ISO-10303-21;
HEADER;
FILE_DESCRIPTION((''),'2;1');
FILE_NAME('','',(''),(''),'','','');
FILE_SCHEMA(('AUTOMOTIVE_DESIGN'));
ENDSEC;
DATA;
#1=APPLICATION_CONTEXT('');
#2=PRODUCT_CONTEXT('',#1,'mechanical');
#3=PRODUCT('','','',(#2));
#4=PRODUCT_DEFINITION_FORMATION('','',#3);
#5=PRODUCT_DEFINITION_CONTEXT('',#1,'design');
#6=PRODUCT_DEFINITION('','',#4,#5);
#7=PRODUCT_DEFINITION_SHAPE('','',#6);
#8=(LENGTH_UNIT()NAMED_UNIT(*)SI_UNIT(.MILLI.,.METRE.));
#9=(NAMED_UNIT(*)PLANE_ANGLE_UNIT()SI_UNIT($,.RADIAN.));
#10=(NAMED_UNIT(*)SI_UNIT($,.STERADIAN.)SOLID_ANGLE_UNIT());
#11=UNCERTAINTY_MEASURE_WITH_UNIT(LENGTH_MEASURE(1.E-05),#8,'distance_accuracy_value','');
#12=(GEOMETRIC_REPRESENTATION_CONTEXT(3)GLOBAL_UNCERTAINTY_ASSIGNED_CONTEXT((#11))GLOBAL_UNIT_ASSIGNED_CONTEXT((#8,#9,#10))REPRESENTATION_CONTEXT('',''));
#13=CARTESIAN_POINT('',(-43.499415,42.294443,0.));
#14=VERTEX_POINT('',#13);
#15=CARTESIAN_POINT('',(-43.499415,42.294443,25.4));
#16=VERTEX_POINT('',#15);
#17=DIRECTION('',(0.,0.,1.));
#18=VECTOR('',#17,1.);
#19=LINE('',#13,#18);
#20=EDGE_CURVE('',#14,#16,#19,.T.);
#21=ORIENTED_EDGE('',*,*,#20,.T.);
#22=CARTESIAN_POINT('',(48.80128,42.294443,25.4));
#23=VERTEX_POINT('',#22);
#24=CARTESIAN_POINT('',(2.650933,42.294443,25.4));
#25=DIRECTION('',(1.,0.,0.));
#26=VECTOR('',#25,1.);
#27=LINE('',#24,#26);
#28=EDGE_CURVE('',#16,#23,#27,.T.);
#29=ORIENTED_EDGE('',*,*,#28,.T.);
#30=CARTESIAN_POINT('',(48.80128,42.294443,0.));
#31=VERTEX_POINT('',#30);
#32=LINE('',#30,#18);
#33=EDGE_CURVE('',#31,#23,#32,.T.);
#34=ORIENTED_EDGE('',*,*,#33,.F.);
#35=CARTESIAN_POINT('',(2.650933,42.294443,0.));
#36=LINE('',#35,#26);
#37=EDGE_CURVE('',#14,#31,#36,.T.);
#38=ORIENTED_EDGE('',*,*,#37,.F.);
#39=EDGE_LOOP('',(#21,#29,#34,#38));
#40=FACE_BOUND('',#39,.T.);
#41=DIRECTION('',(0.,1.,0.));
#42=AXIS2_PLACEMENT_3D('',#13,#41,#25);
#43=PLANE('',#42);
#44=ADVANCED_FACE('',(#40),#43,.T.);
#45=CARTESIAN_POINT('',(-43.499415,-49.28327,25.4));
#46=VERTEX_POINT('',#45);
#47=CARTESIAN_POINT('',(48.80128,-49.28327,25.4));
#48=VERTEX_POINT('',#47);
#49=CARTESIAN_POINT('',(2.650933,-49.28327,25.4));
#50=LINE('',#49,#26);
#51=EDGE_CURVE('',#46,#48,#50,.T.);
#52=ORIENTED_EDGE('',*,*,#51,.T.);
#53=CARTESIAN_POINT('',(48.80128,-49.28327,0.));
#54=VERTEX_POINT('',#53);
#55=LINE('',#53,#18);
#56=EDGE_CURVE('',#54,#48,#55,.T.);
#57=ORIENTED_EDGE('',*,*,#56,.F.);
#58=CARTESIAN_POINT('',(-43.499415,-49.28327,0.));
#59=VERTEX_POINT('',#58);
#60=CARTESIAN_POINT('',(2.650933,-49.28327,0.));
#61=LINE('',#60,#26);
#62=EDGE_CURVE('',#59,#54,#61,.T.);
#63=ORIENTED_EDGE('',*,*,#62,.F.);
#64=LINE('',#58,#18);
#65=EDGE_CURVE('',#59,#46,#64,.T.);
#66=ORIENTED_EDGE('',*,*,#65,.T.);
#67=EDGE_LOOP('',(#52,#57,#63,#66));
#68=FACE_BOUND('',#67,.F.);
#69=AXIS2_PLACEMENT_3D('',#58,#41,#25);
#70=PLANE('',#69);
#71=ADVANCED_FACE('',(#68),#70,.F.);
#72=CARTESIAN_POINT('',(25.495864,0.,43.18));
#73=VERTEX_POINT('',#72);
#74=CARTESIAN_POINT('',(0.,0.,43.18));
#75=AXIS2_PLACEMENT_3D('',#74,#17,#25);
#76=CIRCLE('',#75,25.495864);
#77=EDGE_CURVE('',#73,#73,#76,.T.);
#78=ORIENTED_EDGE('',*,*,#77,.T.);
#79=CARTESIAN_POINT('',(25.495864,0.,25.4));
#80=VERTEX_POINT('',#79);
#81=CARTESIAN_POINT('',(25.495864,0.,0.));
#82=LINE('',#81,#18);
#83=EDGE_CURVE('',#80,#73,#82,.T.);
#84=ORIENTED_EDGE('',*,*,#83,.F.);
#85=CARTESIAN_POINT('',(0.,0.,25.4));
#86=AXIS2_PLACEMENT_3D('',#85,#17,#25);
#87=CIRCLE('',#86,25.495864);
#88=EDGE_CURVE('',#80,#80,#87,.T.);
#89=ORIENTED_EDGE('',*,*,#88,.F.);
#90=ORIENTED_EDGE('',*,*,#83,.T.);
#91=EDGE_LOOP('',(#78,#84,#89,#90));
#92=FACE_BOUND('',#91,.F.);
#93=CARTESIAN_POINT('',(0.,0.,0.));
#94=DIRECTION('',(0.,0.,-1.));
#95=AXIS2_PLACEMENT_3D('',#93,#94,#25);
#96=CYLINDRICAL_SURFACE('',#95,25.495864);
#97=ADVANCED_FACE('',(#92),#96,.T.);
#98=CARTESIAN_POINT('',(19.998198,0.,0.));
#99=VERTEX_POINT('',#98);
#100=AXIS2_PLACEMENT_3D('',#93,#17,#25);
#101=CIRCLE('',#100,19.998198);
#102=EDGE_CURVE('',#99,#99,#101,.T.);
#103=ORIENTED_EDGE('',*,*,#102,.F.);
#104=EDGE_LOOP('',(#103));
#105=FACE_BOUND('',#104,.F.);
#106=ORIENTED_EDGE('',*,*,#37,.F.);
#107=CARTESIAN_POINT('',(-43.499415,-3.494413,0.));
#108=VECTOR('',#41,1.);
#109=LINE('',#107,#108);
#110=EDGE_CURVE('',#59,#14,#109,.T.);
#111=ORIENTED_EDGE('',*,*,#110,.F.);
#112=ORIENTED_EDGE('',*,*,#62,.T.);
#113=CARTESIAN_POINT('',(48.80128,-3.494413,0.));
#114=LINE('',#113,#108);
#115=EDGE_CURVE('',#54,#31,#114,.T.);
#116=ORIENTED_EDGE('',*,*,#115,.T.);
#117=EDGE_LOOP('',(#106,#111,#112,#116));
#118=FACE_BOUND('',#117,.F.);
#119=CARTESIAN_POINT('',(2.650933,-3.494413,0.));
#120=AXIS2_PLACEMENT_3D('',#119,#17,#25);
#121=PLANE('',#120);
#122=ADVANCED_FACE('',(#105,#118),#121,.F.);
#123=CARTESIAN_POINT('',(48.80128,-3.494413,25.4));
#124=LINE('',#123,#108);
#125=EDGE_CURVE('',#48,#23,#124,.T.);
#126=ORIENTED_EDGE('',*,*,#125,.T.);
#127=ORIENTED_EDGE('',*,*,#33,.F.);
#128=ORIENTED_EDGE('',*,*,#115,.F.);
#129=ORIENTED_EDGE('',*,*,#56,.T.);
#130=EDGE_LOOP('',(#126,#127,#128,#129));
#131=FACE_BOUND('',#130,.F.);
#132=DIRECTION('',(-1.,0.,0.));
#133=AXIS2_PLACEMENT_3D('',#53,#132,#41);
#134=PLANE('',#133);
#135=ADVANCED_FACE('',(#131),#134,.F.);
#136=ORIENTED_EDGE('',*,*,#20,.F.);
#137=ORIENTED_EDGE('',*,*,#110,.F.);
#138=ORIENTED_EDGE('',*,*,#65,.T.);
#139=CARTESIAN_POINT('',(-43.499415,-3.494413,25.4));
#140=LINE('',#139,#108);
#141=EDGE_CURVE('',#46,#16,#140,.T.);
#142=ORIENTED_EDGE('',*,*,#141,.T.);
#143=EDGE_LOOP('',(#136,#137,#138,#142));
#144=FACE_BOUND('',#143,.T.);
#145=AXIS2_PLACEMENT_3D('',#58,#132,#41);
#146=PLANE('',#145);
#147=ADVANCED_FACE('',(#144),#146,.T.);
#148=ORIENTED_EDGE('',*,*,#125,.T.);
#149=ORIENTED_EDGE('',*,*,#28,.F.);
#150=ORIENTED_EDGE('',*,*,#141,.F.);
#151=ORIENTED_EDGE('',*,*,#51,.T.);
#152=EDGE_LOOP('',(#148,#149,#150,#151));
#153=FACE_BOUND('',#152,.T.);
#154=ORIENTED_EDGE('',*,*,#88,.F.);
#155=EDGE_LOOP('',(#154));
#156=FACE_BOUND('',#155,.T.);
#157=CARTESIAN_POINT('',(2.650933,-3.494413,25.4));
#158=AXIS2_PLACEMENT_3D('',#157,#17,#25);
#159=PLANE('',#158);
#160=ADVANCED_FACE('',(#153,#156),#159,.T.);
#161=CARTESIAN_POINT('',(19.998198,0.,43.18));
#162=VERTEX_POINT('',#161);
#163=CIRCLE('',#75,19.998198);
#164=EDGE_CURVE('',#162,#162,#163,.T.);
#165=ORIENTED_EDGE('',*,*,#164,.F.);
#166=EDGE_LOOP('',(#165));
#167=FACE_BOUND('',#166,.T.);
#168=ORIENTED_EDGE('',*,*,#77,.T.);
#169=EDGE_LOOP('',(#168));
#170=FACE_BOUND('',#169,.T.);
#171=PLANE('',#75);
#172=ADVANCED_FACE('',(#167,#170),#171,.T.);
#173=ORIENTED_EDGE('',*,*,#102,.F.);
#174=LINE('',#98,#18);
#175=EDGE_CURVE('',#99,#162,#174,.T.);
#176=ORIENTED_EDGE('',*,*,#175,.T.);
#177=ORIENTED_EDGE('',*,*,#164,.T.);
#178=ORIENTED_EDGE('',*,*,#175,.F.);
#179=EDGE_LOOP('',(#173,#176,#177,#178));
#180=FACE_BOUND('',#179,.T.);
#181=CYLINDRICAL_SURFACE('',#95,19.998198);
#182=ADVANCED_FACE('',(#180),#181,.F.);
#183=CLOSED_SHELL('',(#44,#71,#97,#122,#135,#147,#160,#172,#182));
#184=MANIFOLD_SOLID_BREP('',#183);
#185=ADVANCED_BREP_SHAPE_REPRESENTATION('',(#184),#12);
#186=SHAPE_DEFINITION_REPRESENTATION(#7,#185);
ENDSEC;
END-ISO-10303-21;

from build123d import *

# Parameters (mm, degrees)
F0_R     = 25.495864
F0_R_2   = 19.998198
F1_DEPTH = 43.18
F0_W     = 92.300695
F0_H     = 91.577713
F2_DEPTH = 25.4


with BuildPart() as f1:
    # F0 (on Top) → F1 (new body)
    with BuildSketch(Plane.XY):
        Circle(F0_R)
        Circle(F0_R_2, mode=Mode.SUBTRACT)
    extrude(amount=F1_DEPTH)

    # F0 (on Top) → F2 (join)
    with BuildSketch(Plane.XY):
        with Locations((2.650933, -3.494413)):
            Rectangle(F0_W, F0_H)
        Circle(F0_R, mode=Mode.SUBTRACT)
    extrude(amount=F2_DEPTH)


solid = f1.part
